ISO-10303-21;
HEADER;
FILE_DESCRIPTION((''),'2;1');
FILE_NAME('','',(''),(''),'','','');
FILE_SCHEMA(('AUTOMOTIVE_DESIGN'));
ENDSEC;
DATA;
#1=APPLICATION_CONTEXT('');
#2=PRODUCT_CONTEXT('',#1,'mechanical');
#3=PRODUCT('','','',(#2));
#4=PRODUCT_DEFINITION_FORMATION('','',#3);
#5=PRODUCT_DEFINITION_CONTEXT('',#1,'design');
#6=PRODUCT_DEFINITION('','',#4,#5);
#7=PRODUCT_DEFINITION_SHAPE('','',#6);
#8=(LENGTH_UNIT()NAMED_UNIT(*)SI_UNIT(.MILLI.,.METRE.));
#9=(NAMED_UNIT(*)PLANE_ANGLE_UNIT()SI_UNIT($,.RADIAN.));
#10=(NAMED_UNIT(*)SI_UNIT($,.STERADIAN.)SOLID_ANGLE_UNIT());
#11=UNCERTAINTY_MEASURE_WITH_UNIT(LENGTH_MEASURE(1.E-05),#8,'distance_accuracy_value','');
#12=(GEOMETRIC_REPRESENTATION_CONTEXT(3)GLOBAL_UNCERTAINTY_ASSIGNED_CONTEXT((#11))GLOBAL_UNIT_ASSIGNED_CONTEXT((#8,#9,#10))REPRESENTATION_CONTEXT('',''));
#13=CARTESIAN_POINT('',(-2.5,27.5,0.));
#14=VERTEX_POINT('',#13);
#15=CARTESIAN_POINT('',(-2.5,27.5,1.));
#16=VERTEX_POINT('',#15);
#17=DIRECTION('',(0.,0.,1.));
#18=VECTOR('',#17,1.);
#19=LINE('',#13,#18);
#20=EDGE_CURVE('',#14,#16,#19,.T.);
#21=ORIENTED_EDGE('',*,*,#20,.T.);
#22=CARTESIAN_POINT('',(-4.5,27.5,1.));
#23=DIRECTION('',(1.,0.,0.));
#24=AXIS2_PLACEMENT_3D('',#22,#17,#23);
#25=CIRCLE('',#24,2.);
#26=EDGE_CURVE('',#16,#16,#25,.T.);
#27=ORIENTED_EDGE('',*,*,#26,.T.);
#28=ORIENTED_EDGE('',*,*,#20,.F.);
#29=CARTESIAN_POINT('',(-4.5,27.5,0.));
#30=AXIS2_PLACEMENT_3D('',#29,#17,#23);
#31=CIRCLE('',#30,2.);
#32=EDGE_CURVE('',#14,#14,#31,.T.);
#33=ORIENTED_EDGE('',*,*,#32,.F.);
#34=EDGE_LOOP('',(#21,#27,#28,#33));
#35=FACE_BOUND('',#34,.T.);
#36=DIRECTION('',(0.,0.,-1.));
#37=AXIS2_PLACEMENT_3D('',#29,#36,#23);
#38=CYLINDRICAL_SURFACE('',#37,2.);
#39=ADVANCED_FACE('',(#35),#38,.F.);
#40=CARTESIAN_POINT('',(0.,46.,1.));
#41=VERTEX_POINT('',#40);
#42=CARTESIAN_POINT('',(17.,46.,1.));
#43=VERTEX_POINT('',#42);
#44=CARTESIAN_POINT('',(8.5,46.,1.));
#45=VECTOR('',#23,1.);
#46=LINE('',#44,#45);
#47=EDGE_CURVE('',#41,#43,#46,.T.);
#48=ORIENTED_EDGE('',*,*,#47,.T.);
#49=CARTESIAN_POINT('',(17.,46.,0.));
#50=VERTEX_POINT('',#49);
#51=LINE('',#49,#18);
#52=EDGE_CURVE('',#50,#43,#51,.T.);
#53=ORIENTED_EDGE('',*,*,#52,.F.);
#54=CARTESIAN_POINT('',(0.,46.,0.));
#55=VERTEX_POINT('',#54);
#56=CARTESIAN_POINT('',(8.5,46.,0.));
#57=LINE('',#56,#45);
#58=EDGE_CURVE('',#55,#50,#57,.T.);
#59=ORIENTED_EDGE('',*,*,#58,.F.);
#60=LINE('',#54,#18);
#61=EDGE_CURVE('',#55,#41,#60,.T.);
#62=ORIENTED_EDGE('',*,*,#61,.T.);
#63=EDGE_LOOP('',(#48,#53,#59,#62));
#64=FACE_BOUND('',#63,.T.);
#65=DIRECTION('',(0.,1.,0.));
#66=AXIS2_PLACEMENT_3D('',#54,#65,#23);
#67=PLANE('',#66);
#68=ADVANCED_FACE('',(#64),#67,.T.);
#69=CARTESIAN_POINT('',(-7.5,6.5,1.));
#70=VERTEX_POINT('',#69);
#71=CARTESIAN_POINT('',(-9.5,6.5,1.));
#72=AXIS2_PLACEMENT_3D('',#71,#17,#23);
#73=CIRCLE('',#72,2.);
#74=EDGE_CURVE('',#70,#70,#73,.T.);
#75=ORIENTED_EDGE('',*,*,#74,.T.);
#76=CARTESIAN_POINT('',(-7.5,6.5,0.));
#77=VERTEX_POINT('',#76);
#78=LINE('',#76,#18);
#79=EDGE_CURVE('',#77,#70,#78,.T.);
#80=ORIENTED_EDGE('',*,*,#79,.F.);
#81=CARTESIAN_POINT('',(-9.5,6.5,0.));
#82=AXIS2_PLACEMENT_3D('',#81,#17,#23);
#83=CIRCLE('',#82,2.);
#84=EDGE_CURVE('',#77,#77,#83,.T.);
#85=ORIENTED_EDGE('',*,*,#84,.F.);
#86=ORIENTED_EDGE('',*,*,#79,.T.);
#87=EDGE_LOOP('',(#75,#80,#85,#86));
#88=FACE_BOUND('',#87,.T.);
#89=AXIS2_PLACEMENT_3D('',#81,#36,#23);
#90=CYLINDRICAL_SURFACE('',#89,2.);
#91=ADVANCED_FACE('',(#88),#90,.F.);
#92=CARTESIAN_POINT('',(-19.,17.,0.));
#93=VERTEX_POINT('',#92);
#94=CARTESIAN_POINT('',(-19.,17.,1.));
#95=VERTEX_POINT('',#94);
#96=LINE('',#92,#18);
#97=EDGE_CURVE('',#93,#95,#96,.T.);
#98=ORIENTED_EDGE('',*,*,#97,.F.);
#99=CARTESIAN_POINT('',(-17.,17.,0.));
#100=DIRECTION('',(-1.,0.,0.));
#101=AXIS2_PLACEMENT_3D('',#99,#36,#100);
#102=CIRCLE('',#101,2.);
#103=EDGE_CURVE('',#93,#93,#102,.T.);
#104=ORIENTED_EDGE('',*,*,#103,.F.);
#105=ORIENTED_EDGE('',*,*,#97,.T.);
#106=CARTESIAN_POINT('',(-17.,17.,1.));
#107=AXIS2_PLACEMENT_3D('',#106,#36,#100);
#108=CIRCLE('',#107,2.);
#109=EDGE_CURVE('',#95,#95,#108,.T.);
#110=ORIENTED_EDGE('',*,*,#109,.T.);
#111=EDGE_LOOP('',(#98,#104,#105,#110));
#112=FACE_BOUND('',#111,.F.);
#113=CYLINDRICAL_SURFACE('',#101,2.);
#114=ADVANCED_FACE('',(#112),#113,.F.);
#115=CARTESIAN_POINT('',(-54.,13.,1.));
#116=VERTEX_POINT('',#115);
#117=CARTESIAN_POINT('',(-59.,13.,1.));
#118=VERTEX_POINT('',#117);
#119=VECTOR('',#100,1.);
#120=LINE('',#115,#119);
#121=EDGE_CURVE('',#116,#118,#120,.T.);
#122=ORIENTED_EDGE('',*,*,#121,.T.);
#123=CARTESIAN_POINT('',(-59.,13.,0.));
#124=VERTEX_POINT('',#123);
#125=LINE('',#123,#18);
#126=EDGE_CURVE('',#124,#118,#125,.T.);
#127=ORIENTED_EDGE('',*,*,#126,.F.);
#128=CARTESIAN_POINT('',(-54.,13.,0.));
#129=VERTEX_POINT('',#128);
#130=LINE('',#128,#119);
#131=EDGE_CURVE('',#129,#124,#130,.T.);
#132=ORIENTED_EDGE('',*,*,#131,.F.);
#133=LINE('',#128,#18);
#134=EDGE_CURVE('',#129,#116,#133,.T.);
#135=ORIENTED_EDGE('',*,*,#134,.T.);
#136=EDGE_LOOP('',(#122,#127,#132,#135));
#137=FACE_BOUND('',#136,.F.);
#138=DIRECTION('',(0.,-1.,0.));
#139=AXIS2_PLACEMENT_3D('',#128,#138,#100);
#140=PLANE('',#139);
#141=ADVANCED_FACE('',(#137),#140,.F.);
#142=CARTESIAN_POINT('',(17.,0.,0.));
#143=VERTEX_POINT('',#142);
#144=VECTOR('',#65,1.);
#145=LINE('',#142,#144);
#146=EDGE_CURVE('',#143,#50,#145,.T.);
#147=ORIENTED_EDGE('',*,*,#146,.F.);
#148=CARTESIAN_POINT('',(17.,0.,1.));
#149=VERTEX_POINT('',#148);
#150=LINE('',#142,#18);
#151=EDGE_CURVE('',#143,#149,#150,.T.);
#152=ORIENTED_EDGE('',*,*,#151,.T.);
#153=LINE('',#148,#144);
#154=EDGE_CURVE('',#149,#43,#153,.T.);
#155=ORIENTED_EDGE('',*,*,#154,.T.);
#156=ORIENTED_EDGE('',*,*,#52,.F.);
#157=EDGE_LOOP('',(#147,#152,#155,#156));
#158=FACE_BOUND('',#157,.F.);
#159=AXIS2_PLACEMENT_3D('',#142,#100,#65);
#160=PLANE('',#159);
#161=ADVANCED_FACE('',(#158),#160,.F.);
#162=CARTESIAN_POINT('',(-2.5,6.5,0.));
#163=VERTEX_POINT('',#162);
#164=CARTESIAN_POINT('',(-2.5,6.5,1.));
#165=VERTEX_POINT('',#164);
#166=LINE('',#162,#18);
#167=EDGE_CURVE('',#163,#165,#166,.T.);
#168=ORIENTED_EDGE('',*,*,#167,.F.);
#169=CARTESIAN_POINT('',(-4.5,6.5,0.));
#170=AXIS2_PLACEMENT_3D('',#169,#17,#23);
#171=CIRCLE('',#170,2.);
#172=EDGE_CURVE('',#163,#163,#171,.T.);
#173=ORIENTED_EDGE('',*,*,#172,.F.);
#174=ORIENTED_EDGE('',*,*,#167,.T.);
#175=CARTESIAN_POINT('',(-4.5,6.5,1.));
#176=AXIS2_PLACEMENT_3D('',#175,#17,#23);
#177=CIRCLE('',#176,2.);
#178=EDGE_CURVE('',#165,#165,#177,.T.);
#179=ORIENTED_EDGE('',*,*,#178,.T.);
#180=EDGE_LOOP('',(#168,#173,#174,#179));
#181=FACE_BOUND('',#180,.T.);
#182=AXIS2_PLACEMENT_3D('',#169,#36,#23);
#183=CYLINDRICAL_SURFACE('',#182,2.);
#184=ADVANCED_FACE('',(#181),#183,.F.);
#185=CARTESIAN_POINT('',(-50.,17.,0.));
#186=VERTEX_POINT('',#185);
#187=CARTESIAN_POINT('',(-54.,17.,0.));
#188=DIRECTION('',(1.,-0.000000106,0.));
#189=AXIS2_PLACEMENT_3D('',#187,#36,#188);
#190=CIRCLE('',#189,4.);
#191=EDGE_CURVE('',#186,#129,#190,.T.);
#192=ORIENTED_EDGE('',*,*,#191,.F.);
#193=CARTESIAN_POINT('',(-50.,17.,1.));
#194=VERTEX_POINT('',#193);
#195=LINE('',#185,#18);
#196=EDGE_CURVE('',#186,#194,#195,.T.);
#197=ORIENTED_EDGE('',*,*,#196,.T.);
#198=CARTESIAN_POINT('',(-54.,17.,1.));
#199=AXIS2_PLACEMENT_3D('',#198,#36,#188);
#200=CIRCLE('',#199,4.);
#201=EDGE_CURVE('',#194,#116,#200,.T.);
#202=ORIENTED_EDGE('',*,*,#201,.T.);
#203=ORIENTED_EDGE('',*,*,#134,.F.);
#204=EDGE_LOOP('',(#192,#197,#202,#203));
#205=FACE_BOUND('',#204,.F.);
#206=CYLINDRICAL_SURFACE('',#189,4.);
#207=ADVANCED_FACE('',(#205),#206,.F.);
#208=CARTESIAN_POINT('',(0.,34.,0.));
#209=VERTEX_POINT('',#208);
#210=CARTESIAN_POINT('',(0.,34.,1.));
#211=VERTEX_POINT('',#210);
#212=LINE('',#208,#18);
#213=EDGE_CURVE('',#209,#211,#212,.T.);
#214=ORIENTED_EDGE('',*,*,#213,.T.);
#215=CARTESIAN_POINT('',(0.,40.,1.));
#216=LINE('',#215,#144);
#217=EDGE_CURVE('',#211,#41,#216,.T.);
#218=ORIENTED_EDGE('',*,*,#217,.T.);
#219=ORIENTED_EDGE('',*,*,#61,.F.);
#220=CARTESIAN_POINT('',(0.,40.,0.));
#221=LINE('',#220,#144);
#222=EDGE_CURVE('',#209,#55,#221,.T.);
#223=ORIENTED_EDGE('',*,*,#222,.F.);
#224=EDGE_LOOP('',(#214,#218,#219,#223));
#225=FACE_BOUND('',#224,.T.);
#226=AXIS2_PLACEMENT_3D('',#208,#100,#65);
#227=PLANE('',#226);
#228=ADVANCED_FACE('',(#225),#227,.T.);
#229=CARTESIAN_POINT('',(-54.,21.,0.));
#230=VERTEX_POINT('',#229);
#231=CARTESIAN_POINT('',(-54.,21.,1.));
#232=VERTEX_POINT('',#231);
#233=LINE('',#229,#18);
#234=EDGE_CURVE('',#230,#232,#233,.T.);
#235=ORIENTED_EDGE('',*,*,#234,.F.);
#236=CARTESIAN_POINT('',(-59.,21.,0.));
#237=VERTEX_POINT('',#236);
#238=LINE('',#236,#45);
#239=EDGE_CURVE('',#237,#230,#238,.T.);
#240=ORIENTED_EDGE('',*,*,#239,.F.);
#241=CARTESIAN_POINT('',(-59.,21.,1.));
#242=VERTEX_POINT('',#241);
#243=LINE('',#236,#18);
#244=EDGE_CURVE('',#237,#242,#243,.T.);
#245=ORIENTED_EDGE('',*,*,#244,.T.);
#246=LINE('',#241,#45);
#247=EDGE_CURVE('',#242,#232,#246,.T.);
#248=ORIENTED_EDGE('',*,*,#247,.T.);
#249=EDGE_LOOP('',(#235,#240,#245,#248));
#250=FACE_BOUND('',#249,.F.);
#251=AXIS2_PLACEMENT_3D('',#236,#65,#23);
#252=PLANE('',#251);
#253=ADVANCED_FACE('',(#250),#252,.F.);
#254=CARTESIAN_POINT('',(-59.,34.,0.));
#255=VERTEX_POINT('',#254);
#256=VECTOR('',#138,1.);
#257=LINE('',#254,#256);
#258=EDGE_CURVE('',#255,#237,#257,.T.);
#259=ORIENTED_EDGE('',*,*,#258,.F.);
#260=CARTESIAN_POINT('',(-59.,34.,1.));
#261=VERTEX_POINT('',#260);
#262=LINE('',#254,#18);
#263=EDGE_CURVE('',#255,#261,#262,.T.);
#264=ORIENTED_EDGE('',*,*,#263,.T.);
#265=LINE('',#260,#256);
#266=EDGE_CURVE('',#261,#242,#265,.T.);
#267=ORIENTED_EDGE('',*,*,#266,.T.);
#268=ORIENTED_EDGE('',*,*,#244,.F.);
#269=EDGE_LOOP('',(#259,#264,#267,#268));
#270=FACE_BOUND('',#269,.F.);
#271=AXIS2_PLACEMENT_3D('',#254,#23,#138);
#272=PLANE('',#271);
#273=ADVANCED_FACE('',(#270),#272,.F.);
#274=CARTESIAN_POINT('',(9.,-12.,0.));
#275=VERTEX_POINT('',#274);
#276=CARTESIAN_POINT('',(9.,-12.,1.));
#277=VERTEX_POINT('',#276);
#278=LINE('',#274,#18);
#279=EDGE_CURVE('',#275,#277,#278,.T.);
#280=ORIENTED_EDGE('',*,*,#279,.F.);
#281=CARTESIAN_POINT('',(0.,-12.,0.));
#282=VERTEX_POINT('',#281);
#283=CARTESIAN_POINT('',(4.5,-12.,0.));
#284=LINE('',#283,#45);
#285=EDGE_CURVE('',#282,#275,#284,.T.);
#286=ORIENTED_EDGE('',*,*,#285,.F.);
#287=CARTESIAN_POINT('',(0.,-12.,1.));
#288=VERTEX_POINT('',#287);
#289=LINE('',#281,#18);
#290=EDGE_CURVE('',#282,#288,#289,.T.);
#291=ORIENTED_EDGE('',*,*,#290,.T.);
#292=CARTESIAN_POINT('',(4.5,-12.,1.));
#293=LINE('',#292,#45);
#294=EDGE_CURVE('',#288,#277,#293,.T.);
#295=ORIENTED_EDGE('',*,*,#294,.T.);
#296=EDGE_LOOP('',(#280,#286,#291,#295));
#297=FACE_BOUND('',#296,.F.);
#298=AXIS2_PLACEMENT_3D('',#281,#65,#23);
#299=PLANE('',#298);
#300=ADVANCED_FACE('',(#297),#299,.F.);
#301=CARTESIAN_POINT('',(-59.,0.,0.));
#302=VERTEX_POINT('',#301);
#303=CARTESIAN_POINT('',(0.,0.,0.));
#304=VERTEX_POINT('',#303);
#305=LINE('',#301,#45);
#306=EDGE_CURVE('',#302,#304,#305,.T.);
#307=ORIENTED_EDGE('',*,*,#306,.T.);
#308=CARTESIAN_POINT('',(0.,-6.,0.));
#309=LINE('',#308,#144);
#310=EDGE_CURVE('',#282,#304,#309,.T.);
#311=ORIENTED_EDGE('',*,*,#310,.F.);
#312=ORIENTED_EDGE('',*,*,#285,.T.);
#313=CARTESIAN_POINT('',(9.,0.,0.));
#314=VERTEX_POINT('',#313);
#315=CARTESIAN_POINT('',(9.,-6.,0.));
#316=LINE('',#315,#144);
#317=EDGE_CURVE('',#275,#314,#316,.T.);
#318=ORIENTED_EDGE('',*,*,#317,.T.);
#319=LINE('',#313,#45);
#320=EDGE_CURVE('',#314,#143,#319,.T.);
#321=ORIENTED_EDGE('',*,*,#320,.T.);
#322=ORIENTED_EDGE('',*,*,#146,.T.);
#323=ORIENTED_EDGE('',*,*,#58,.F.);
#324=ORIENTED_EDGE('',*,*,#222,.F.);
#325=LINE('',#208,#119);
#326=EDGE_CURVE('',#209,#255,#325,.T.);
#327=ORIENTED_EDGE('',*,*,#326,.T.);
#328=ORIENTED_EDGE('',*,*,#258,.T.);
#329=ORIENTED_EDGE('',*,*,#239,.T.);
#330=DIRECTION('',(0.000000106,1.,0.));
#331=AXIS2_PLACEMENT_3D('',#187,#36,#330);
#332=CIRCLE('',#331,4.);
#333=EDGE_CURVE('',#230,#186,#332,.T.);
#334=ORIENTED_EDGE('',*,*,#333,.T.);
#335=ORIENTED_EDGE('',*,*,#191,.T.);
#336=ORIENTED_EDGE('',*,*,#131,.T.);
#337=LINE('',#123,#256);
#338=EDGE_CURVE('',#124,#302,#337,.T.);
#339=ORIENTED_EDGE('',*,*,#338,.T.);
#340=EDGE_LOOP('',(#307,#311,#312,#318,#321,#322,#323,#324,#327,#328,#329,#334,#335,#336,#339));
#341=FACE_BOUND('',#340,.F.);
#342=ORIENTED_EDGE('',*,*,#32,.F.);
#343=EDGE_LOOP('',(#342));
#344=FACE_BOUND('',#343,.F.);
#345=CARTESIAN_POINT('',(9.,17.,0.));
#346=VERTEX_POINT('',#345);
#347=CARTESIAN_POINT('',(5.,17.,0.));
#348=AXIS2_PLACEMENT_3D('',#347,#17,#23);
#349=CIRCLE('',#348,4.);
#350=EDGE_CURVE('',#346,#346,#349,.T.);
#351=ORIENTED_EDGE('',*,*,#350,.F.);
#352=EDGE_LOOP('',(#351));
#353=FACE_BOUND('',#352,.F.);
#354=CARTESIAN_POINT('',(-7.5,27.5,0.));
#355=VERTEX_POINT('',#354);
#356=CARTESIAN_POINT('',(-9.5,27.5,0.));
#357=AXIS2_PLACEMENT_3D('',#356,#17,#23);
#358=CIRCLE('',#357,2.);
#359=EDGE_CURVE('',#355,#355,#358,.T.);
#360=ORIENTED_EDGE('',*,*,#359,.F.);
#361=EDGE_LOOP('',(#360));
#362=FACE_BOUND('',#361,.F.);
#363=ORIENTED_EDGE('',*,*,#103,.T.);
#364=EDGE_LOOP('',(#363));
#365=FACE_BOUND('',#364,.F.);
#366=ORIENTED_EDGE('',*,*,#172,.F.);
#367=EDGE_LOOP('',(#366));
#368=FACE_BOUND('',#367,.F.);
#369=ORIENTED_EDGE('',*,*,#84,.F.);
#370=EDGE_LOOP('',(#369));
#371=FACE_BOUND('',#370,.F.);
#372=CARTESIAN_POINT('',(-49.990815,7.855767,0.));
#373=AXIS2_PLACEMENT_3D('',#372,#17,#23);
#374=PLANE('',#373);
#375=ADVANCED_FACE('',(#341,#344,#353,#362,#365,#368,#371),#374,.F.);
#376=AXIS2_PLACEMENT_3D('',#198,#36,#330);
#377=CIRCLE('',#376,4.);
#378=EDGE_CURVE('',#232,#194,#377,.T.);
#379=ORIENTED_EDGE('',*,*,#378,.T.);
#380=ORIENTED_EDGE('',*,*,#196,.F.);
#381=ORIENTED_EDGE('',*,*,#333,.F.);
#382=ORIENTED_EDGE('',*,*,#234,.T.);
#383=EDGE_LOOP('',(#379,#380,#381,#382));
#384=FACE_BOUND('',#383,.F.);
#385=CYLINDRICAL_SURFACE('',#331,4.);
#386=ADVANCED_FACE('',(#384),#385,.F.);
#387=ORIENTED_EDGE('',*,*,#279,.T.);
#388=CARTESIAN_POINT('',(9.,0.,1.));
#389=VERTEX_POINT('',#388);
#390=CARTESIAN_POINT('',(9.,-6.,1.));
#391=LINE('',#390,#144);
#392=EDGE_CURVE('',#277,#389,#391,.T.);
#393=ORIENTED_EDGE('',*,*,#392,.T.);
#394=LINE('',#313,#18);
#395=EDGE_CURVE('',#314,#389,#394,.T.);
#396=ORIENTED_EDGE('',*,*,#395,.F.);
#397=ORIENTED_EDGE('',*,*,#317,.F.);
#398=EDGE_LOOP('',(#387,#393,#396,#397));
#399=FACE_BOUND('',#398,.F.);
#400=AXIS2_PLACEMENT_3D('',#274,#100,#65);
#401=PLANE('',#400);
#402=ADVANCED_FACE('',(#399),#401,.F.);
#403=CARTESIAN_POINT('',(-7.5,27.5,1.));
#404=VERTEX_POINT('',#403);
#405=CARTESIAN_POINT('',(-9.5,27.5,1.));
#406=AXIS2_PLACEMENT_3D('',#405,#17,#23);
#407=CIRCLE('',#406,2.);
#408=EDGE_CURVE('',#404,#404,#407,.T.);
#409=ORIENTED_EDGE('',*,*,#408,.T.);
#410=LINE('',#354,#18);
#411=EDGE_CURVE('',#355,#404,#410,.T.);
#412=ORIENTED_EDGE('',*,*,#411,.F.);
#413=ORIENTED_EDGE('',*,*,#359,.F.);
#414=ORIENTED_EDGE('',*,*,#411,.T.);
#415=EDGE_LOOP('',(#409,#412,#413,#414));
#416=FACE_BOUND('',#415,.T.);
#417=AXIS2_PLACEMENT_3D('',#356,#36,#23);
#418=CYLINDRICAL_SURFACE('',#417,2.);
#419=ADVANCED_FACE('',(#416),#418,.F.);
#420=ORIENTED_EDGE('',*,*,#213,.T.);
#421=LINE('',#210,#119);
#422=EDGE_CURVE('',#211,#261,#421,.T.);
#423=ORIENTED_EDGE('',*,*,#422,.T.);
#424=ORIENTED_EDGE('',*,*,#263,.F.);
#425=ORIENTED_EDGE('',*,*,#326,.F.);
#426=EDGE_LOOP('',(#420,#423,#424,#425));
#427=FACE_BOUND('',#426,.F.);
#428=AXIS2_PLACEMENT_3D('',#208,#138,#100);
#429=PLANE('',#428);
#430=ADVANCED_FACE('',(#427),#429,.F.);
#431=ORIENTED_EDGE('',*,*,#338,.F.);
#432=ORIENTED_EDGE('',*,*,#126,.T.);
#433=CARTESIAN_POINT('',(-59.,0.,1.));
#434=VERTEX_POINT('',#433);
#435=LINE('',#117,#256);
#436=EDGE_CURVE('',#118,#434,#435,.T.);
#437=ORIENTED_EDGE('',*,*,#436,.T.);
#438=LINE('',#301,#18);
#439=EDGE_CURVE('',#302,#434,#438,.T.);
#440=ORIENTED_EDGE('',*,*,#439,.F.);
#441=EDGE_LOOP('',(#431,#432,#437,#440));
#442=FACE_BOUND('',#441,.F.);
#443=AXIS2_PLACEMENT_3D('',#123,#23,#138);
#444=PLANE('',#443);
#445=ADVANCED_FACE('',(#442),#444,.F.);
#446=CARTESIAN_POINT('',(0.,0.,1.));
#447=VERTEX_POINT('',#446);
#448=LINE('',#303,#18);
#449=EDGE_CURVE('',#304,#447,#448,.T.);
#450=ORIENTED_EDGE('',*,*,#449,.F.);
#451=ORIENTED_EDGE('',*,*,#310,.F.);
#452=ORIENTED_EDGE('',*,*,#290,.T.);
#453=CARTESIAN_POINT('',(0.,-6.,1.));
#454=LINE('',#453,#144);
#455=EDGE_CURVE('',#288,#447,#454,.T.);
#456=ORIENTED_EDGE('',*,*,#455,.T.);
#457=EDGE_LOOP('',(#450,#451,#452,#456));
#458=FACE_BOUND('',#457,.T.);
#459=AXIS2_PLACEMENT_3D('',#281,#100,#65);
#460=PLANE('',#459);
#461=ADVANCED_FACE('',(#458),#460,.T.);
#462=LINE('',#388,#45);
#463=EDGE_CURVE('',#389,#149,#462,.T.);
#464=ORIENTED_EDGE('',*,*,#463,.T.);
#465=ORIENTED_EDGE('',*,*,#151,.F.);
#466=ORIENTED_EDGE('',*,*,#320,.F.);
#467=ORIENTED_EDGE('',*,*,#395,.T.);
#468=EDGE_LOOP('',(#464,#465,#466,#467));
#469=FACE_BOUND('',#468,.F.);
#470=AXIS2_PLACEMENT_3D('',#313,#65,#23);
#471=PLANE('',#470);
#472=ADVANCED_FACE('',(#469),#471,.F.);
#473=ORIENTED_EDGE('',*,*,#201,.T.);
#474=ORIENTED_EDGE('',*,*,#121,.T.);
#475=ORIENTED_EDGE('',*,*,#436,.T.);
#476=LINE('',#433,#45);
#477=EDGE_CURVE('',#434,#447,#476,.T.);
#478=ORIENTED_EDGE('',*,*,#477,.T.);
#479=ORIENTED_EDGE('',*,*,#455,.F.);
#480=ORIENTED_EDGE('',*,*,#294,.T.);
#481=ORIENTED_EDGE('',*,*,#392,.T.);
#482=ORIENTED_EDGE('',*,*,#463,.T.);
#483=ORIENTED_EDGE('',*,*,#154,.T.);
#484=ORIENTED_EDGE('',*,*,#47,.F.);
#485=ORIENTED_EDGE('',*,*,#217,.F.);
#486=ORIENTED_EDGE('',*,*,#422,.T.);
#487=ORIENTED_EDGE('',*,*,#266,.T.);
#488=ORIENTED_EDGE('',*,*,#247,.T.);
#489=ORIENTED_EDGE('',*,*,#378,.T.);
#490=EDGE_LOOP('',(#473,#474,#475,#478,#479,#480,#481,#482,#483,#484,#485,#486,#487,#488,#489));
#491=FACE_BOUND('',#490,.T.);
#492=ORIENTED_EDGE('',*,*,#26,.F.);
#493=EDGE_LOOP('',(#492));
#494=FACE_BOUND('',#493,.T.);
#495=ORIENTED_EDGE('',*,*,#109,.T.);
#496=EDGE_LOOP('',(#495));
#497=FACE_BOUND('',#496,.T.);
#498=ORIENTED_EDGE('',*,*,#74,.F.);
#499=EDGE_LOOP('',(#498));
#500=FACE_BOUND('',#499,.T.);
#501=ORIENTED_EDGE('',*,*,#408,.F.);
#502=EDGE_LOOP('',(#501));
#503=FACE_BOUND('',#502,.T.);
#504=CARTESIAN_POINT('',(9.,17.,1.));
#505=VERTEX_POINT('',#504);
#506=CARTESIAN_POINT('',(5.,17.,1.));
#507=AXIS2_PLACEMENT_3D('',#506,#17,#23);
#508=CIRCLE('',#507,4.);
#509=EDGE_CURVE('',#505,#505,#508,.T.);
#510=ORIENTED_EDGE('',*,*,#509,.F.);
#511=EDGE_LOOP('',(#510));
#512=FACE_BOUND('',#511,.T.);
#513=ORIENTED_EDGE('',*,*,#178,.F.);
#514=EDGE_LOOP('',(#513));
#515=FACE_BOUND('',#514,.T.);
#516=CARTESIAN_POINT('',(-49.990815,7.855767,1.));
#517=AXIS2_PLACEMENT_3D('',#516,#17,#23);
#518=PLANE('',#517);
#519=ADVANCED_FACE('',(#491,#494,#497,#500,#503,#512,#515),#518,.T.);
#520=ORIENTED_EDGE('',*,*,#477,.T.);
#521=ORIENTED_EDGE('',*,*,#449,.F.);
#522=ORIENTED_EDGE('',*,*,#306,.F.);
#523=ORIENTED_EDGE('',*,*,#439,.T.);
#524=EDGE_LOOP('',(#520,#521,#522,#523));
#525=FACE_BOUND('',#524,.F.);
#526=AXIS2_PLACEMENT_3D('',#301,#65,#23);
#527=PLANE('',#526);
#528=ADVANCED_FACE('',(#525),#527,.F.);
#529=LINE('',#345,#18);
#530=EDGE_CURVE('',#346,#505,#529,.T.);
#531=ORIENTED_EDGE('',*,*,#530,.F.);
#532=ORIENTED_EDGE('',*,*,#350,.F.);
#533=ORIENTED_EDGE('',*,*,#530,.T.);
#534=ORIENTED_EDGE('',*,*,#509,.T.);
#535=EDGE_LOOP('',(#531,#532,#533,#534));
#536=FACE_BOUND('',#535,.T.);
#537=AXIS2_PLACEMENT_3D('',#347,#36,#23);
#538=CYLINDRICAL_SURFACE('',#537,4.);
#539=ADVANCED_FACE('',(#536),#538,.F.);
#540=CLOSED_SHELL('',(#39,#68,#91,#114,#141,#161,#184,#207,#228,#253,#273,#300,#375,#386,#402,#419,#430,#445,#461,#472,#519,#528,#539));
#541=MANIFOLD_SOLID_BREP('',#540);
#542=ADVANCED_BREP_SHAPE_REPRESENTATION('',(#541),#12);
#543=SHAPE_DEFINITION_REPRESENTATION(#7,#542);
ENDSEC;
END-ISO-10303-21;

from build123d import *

# Parameters (mm, degrees)
F0_W     = 13
F0_H     = 17
F0_W_2   = 12
F0_H_2   = 34
F0_R     = 2
F0_W_3   = 9
F0_H_3   = 12
F0_W_4   = 17
F0_R_2   = 4
F1_DEPTH = 1


with BuildPart() as f1:
    # F0 (on Top) → F1 (new body)
    with BuildSketch(Plane.XY):
        with BuildLine():
            Line((-59, 0), (-42, 0))
            Line((-42, 0), (-42, 17))
            Line((-42, 17), (-50, 17))
            ThreePointArc((-50, 17), (-51.171573, 14.171573), (-54, 13))
            Line((-54, 13), (-59, 13))
            Line((-59, 13), (-59, 0))
        make_face()
        with BuildLine():
            Line((-42, 17), (-42, 34))
            Line((-42, 34), (-59, 34))
            Line((-59, 34), (-59, 21))
            Line((-59, 21), (-54, 21))
            ThreePointArc((-54, 21), (-51.171573, 19.828427), (-50, 17))
            Line((-50, 17), (-42, 17))
        make_face()
        with Locations((-35.5, 25.5)):
            Rectangle(F0_W, F0_H)
        with Locations((-35.5, 8.5)):
            Rectangle(F0_W, F0_H)
        Polygon((-29, 0), (-12, 0), (-12, 34), (-29, 34), (-29, 17), align=None)
        with BuildLine():
            ThreePointArc((-15, 17), (-17, 15), (-19, 17))
            ThreePointArc((-19, 17), (-17, 19), (-15, 17))
        make_face(mode=Mode.SUBTRACT)
        with Locations((-6, 17)):
            Rectangle(F0_W_2, F0_H_2)
        with Locations((-9.5, 6.5)):
            Circle(F0_R, mode=Mode.SUBTRACT)
        with Locations((-4.5, 6.5)):
            Circle(F0_R, mode=Mode.SUBTRACT)
        with Locations((-9.5, 27.5)):
            Circle(F0_R, mode=Mode.SUBTRACT)
        with Locations((-4.5, 27.5)):
            Circle(F0_R, mode=Mode.SUBTRACT)
        with Locations((4.5, -6)):
            Rectangle(F0_W_3, F0_H_3)
        with Locations((8.5, 40)):
            Rectangle(F0_W_4, F0_H_3)
        Polygon((0, 34), (0, 0), (9, 0), (17, 0), (17, 34), align=None)
        with Locations((5, 17)):
            Circle(F0_R_2, mode=Mode.SUBTRACT)
    extrude(amount=F1_DEPTH)


solid = f1.part
